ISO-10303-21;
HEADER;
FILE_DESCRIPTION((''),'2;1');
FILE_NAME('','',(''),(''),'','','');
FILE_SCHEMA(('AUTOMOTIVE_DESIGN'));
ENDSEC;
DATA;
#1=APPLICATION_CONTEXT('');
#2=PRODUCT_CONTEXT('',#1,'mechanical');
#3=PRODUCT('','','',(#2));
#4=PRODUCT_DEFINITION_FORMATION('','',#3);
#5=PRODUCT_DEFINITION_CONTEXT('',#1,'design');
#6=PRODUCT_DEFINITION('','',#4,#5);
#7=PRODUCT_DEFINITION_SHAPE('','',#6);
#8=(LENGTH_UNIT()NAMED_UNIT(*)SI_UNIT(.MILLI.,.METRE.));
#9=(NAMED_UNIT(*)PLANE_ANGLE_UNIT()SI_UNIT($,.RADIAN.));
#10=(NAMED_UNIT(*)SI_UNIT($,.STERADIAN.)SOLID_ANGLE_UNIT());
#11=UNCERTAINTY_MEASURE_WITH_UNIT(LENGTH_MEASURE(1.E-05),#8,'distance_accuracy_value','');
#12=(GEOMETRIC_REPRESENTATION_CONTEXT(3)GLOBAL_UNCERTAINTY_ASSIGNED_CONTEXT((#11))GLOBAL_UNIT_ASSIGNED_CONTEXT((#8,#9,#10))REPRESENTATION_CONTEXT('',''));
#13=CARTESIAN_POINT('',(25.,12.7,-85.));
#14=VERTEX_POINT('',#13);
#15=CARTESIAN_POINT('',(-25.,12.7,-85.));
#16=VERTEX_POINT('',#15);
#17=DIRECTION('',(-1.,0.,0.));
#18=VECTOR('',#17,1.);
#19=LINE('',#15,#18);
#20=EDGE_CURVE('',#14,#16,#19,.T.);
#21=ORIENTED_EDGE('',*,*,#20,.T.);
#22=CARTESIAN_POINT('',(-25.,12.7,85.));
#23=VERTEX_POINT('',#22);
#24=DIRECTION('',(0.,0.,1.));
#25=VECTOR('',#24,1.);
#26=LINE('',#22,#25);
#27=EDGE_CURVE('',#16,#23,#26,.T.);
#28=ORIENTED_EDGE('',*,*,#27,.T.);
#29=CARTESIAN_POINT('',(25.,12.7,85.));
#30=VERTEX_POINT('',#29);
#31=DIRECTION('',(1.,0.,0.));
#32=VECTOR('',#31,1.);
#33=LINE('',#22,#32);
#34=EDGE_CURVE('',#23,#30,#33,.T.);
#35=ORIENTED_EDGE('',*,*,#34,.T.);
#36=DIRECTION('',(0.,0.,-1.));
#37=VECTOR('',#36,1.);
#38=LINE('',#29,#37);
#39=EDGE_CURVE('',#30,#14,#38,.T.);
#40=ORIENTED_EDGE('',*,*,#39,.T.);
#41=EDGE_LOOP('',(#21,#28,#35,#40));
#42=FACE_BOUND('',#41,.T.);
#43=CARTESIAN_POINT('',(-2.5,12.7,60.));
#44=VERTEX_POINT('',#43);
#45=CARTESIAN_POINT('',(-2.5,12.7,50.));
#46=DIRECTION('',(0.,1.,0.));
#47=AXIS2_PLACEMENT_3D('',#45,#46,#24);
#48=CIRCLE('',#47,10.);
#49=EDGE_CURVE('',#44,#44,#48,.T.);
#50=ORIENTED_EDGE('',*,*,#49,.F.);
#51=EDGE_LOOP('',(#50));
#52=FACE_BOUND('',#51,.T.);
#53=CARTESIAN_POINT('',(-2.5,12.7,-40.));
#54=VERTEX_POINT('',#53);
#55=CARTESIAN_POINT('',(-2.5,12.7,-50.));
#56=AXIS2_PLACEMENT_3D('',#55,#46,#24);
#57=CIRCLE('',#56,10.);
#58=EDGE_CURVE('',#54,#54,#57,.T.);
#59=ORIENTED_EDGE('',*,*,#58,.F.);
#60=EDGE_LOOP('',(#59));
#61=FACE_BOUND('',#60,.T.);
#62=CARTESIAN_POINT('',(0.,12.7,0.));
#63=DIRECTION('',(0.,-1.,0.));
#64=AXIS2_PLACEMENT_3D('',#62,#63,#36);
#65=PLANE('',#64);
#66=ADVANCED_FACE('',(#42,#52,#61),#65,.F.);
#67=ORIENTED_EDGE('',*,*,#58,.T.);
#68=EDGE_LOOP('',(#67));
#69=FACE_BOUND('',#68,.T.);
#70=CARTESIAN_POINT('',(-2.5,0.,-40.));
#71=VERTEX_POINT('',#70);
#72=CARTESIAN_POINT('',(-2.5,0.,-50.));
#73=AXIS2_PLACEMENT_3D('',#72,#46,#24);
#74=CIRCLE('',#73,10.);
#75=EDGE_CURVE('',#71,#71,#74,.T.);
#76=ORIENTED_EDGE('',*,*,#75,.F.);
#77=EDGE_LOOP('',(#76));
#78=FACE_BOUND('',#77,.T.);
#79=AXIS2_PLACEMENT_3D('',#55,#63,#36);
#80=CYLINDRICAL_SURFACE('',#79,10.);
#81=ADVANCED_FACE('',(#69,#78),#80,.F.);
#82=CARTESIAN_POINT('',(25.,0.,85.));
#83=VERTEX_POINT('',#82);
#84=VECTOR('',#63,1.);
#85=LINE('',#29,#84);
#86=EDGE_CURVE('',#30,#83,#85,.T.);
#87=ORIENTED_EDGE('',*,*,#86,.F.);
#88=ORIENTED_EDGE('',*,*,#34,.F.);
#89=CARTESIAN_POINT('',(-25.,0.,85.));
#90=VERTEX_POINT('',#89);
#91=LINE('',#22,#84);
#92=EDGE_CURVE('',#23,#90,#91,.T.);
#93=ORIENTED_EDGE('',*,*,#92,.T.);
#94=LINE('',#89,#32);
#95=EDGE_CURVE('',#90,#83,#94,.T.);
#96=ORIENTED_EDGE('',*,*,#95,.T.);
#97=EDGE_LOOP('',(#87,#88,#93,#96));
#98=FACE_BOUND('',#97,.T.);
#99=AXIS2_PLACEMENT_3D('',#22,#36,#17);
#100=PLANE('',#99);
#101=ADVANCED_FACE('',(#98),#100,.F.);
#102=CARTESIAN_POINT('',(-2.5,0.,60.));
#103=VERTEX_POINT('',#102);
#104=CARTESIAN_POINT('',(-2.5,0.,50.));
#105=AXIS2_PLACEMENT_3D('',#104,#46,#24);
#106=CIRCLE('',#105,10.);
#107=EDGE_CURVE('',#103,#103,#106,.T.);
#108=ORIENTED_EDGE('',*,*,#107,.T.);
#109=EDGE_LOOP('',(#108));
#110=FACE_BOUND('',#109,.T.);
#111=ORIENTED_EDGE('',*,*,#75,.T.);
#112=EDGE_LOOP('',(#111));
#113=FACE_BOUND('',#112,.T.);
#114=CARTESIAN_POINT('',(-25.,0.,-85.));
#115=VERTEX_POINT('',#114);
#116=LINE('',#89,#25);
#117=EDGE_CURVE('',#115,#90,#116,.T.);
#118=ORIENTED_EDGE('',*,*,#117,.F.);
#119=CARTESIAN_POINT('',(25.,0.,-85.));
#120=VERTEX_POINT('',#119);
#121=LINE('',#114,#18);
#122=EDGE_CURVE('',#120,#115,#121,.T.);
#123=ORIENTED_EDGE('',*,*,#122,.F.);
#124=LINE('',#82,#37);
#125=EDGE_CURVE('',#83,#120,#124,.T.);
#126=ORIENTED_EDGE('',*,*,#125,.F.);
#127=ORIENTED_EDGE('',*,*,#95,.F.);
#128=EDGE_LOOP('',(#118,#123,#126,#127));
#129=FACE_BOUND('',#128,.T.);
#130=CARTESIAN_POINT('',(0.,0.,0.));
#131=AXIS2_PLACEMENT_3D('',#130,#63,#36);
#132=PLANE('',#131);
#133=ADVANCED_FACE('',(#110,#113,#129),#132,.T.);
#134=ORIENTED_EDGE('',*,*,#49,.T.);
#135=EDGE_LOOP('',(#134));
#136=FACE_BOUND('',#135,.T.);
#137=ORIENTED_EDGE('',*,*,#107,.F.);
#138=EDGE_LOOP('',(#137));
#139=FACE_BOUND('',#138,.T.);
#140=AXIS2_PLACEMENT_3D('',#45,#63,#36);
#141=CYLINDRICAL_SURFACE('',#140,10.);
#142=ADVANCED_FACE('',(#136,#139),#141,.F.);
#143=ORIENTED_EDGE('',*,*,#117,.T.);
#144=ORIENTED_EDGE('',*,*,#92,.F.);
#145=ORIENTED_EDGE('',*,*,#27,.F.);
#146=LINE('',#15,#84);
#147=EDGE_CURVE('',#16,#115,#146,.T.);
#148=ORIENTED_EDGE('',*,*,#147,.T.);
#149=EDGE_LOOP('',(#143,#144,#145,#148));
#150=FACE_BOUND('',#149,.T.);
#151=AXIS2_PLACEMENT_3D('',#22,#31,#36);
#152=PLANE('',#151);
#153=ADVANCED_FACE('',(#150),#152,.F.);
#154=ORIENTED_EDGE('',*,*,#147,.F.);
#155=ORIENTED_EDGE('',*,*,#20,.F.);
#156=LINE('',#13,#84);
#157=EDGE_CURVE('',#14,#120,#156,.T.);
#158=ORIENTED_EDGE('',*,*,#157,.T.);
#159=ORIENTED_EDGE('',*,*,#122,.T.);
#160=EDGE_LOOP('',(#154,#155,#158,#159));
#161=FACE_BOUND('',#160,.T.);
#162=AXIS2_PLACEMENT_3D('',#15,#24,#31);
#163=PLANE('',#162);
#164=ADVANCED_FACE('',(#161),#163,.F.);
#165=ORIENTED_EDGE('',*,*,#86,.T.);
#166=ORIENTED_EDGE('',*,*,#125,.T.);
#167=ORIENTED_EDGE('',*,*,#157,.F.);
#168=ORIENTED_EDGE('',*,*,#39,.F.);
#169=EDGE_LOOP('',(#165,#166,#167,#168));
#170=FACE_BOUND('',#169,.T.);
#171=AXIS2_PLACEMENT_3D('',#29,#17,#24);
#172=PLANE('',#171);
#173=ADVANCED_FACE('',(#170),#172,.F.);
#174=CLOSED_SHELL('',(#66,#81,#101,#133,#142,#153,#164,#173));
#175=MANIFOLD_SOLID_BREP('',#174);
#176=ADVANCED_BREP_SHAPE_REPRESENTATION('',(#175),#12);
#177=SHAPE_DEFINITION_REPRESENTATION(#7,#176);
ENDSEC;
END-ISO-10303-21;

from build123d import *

# Parameters (mm, degrees)
CROQUIS1_W              = 50
CROQUIS1_H              = 170
CROQUIS1_R              = 10
SALIENTE_EXTRUIR1_DEPTH = 12.7


with BuildPart() as part:
    # Croquis1 → Saliente-Extruir1 (new body)
    with BuildSketch(Plane(origin=(0, 0, 0), x_dir=(1, 0, 0), z_dir=(0, 1, 0))):
        Rectangle(CROQUIS1_W, CROQUIS1_H)
        with Locations(Location((-2.5, 50, 0), (0, 0, 270))):
            Circle(CROQUIS1_R, mode=Mode.SUBTRACT)
        with Locations(Location((-2.5, -50, 0), (0, 0, 270))):
            Circle(CROQUIS1_R, mode=Mode.SUBTRACT)
    extrude(amount=SALIENTE_EXTRUIR1_DEPTH)


solid = part.part
